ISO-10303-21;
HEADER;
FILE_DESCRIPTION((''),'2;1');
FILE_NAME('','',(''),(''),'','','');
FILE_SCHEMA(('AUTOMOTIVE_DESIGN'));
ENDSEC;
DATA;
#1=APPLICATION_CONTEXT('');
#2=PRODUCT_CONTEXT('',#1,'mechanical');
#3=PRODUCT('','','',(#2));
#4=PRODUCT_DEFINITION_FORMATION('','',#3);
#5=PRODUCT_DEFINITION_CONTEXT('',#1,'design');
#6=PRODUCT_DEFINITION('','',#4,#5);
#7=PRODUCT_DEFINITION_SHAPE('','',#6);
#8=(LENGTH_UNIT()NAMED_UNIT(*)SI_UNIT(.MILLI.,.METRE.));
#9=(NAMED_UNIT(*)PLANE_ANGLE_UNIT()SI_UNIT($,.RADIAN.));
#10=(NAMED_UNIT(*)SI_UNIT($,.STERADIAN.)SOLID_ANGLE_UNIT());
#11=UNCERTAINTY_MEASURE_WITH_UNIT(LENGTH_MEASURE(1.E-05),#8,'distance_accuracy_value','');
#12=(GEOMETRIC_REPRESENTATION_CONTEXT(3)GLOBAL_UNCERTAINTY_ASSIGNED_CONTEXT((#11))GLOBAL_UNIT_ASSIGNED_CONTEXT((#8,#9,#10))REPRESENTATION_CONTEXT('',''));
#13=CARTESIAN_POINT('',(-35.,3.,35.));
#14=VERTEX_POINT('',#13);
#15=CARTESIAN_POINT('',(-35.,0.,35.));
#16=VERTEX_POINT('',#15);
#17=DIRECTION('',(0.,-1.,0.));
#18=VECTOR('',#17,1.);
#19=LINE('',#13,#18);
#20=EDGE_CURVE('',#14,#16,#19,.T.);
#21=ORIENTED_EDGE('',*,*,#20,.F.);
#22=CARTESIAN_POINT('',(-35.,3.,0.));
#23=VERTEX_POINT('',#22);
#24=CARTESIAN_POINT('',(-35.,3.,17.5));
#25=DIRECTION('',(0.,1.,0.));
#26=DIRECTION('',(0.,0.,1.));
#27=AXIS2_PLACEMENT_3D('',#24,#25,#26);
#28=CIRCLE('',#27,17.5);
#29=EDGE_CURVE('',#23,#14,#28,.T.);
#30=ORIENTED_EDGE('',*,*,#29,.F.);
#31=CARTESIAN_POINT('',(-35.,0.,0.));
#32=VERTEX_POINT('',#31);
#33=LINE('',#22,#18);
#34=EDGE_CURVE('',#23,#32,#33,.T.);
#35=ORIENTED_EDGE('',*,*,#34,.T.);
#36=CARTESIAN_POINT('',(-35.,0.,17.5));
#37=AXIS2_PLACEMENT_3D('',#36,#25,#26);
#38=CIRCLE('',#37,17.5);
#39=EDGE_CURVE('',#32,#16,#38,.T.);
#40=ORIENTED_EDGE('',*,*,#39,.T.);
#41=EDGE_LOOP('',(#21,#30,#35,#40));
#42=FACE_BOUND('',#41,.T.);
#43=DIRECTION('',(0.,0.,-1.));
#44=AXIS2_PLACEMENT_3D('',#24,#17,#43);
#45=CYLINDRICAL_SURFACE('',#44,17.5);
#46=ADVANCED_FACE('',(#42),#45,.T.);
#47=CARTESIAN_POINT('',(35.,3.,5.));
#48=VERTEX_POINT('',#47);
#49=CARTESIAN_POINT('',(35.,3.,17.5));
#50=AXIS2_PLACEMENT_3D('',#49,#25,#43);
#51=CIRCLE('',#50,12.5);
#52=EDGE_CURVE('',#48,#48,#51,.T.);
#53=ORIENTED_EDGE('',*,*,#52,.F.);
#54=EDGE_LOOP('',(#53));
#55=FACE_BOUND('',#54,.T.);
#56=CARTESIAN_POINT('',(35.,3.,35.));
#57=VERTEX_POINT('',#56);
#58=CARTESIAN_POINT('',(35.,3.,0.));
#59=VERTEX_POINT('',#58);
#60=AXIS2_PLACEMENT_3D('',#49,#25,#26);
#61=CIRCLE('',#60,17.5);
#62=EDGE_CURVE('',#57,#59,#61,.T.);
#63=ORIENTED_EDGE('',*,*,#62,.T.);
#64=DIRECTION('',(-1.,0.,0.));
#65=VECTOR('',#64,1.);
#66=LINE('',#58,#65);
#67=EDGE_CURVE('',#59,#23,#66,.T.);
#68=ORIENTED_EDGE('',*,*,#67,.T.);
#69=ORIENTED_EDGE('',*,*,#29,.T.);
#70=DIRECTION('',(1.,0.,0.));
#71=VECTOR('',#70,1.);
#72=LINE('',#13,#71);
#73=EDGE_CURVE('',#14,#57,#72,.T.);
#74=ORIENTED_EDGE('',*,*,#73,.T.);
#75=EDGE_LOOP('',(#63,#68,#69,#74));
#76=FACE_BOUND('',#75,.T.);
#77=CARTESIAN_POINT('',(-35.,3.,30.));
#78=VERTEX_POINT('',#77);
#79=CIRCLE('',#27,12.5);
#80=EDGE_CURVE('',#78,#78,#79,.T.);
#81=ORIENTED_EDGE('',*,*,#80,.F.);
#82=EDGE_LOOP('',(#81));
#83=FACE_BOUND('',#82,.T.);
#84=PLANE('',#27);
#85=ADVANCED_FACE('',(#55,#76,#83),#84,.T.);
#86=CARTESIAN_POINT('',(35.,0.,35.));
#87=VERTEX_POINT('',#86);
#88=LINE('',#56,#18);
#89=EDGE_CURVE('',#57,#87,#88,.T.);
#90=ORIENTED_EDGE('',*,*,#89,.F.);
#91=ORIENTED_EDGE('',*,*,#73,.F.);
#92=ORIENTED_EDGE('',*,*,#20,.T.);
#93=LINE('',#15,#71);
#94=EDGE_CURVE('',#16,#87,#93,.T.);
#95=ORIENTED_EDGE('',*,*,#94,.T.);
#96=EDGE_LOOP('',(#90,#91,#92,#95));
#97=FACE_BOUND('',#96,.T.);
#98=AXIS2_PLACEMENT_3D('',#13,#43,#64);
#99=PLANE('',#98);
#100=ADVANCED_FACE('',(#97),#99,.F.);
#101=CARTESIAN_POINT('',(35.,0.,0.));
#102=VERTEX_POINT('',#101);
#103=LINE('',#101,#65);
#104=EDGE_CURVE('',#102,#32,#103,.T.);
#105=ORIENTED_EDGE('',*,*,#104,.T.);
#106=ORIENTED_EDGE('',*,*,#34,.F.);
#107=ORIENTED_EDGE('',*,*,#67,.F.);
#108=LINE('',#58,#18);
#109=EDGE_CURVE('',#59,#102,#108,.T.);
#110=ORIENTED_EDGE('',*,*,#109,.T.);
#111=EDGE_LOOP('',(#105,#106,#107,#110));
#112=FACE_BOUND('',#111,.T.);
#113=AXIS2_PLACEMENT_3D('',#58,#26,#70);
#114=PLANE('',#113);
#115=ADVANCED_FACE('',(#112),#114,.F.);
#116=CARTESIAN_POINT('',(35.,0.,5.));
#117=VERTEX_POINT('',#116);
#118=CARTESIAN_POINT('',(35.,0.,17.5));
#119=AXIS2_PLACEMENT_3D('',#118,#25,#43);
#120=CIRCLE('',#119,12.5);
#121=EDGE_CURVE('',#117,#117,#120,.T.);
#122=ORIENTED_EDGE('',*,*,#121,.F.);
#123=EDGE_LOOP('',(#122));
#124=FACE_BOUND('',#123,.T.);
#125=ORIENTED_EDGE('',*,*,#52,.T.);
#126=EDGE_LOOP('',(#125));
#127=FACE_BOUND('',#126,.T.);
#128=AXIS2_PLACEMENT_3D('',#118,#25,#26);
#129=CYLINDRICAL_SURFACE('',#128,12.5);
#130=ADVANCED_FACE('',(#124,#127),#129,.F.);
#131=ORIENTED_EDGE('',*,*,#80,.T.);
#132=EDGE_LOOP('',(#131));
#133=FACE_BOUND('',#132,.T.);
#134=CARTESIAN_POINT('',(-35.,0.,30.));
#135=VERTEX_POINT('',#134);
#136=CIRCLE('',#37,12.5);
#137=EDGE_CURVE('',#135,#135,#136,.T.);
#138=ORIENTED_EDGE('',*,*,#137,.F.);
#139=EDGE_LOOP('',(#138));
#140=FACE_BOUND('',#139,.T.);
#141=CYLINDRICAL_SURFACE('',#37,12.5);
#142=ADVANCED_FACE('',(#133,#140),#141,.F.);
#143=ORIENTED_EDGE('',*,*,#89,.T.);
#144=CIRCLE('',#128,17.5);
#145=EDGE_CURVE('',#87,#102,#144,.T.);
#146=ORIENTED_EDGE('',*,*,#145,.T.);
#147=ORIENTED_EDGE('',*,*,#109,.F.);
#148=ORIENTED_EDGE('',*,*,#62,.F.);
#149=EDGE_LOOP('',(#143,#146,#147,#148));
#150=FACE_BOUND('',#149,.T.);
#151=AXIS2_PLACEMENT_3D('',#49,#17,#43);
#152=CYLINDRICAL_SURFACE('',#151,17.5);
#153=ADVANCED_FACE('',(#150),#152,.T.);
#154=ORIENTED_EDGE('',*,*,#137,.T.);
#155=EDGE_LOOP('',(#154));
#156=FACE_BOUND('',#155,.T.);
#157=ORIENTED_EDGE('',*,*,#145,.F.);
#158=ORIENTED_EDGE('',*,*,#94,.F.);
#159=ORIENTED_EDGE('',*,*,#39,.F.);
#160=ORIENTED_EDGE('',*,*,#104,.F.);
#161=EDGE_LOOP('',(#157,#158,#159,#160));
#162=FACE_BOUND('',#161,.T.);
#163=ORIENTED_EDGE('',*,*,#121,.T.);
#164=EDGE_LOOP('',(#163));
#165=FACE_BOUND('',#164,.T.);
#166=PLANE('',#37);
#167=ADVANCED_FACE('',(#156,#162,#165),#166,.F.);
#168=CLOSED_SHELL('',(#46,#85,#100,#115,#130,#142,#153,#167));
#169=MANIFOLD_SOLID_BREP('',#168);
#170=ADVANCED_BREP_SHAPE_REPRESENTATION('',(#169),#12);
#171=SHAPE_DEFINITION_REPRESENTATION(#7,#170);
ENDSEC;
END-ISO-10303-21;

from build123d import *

# Parameters (mm, degrees)
BOSS_EXTRUDE1_DEPTH = 3
SKETCH2_R           = 12.5
CUT_EXTRUDE1_DEPTH  = 64.168425657


with BuildPart() as part:
    # Sketch1 → Boss-Extrude1 (new body)
    with BuildSketch(Plane(origin=(0, 0, 0), x_dir=(1, 0, 0), z_dir=(0, 1, 0))):
        with BuildLine():
            Line((35, 0), (-35, 0))
            ThreePointArc((-35, 0), (-52.5, -17.5), (-35, -35))
            Line((-35, -35), (35, -35))
            ThreePointArc((35, -35), (52.5, -17.5), (35, 0))
        make_face()
    extrude(amount=BOSS_EXTRUDE1_DEPTH)

    # Sketch2 → Cut-Extrude1 (cut, through all)
    with BuildSketch(Plane(origin=(0, 3, 0), x_dir=(1, 0, 0), z_dir=(0, 1, 0))):
        with Locations(Location((-35, -17.5, 0), (0, 0, 270))):
            Circle(SKETCH2_R)
        with Locations(Location((35, -17.5, 0), (0, 0, 90))):
            Circle(SKETCH2_R)
    extrude(amount=-CUT_EXTRUDE1_DEPTH, mode=Mode.SUBTRACT)


solid = part.part
